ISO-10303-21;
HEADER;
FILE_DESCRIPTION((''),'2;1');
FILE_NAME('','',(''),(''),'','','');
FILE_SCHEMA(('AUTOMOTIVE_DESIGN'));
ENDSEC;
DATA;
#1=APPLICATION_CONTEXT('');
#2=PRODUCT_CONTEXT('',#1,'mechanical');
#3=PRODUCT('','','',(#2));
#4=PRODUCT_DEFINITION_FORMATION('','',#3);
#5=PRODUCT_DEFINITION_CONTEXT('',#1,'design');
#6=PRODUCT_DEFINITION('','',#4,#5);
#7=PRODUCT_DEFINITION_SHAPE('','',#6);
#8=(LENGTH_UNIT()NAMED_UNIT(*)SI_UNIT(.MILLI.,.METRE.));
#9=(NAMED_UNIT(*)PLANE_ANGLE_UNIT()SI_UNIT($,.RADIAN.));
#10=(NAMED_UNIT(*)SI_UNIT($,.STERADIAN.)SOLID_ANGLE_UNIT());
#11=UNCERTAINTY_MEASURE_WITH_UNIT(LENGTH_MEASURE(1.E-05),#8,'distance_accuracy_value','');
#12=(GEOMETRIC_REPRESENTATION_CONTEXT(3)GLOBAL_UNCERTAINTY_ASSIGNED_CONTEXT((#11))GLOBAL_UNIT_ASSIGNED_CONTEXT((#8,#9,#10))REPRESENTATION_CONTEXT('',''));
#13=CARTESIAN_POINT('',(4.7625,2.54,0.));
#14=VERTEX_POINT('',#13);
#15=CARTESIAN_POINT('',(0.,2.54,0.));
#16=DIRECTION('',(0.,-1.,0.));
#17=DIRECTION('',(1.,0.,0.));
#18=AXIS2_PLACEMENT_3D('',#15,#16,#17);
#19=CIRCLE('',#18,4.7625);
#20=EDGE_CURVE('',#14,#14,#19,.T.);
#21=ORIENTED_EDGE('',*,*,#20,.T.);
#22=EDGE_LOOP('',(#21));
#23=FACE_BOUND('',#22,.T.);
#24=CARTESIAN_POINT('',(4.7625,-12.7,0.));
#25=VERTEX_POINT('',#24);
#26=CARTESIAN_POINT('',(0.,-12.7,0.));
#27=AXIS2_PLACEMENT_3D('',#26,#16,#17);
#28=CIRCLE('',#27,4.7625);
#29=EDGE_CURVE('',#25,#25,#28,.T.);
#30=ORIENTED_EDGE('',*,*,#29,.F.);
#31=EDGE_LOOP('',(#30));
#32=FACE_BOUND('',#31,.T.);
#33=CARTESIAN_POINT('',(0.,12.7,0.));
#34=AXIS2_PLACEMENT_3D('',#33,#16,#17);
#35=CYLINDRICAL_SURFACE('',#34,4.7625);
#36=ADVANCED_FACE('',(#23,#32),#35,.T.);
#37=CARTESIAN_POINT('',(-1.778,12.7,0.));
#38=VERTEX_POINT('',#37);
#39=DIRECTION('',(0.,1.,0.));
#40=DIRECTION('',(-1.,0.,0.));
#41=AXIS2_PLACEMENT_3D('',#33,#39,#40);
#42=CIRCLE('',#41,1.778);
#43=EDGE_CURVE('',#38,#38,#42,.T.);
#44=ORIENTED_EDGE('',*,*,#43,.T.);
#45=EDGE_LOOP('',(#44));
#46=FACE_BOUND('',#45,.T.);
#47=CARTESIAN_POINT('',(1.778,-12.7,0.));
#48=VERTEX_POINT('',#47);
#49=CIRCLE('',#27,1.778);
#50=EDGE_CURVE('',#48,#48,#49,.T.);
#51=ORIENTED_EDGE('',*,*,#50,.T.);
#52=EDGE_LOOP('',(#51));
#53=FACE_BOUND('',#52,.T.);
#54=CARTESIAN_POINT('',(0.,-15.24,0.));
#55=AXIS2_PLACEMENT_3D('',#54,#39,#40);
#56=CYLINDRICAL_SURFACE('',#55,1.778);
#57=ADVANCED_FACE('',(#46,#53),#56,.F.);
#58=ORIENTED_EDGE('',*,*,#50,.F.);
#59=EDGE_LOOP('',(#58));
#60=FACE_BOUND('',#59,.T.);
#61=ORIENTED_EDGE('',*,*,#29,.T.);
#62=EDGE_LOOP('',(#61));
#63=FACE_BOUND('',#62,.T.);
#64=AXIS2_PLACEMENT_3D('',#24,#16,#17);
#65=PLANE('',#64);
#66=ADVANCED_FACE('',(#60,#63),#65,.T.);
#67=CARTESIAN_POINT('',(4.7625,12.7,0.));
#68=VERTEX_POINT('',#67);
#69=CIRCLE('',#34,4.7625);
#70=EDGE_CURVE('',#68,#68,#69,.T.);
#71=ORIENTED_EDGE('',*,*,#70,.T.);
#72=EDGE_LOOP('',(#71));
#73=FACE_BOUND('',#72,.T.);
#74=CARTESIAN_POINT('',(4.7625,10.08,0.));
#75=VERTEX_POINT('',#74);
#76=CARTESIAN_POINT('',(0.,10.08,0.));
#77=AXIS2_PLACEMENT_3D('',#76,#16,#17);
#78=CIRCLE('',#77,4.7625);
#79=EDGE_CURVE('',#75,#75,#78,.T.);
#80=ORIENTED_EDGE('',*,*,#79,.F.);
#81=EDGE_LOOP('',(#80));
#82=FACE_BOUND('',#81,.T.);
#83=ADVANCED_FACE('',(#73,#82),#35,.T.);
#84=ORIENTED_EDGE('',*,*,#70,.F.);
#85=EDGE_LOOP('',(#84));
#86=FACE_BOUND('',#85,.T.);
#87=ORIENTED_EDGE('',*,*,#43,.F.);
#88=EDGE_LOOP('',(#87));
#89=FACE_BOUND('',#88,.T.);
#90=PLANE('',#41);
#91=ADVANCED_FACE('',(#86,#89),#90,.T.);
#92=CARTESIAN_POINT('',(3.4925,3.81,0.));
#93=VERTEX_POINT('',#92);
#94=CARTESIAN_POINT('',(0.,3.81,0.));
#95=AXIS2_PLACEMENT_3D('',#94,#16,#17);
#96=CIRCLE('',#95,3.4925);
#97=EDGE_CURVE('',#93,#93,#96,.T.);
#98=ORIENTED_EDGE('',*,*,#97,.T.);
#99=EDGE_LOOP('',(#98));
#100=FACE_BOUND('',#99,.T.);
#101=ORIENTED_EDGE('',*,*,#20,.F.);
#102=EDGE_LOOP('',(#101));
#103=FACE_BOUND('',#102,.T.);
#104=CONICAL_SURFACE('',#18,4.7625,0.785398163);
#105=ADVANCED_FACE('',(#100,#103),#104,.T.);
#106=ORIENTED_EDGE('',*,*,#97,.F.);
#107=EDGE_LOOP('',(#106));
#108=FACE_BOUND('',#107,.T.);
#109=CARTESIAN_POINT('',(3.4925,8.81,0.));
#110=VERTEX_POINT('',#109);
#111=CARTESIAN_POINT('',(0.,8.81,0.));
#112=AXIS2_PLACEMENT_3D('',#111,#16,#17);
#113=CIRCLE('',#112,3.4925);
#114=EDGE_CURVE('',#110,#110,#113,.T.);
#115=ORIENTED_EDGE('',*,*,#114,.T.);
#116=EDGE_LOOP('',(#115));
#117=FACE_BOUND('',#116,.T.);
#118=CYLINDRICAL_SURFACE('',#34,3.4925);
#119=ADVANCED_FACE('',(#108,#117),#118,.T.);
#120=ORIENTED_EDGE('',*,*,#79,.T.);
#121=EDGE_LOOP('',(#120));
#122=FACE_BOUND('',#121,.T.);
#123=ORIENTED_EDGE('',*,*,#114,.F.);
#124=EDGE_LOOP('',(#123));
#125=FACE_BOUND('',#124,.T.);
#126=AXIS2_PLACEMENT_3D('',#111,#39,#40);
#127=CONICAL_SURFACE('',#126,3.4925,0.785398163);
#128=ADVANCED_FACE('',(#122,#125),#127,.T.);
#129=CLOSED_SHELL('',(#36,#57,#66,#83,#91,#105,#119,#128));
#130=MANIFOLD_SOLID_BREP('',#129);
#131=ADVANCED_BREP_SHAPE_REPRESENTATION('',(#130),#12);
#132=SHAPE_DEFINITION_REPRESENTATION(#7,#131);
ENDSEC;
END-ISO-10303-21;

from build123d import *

# Parameters (mm, degrees)
SKETCH3_R          = 1.778
CUT_EXTRUDE1_DEPTH = 27.94


with BuildPart() as part:
    # Sketch2 → Revolve1 (revolve)
    with BuildSketch(Plane.XY):
        Polygon((0, 12.7), (0, -12.7), (4.7625, -12.7), (4.7625, 2.54), (3.4925, 3.81), (3.4925, 8.81), (4.7625, 10.08), (4.7625, 12.7), align=None)
    revolve(axis=Axis((0, 12.7, 0), (0, -1, 0)))

    # Sketch3 → Cut-Extrude1 (cut)
    with BuildSketch(Plane(origin=(0, 12.7, 0), x_dir=(1, 0, 0), z_dir=(0, 1, 0))):
        Circle(SKETCH3_R)
    extrude(amount=-CUT_EXTRUDE1_DEPTH, mode=Mode.SUBTRACT)


solid = part.part
